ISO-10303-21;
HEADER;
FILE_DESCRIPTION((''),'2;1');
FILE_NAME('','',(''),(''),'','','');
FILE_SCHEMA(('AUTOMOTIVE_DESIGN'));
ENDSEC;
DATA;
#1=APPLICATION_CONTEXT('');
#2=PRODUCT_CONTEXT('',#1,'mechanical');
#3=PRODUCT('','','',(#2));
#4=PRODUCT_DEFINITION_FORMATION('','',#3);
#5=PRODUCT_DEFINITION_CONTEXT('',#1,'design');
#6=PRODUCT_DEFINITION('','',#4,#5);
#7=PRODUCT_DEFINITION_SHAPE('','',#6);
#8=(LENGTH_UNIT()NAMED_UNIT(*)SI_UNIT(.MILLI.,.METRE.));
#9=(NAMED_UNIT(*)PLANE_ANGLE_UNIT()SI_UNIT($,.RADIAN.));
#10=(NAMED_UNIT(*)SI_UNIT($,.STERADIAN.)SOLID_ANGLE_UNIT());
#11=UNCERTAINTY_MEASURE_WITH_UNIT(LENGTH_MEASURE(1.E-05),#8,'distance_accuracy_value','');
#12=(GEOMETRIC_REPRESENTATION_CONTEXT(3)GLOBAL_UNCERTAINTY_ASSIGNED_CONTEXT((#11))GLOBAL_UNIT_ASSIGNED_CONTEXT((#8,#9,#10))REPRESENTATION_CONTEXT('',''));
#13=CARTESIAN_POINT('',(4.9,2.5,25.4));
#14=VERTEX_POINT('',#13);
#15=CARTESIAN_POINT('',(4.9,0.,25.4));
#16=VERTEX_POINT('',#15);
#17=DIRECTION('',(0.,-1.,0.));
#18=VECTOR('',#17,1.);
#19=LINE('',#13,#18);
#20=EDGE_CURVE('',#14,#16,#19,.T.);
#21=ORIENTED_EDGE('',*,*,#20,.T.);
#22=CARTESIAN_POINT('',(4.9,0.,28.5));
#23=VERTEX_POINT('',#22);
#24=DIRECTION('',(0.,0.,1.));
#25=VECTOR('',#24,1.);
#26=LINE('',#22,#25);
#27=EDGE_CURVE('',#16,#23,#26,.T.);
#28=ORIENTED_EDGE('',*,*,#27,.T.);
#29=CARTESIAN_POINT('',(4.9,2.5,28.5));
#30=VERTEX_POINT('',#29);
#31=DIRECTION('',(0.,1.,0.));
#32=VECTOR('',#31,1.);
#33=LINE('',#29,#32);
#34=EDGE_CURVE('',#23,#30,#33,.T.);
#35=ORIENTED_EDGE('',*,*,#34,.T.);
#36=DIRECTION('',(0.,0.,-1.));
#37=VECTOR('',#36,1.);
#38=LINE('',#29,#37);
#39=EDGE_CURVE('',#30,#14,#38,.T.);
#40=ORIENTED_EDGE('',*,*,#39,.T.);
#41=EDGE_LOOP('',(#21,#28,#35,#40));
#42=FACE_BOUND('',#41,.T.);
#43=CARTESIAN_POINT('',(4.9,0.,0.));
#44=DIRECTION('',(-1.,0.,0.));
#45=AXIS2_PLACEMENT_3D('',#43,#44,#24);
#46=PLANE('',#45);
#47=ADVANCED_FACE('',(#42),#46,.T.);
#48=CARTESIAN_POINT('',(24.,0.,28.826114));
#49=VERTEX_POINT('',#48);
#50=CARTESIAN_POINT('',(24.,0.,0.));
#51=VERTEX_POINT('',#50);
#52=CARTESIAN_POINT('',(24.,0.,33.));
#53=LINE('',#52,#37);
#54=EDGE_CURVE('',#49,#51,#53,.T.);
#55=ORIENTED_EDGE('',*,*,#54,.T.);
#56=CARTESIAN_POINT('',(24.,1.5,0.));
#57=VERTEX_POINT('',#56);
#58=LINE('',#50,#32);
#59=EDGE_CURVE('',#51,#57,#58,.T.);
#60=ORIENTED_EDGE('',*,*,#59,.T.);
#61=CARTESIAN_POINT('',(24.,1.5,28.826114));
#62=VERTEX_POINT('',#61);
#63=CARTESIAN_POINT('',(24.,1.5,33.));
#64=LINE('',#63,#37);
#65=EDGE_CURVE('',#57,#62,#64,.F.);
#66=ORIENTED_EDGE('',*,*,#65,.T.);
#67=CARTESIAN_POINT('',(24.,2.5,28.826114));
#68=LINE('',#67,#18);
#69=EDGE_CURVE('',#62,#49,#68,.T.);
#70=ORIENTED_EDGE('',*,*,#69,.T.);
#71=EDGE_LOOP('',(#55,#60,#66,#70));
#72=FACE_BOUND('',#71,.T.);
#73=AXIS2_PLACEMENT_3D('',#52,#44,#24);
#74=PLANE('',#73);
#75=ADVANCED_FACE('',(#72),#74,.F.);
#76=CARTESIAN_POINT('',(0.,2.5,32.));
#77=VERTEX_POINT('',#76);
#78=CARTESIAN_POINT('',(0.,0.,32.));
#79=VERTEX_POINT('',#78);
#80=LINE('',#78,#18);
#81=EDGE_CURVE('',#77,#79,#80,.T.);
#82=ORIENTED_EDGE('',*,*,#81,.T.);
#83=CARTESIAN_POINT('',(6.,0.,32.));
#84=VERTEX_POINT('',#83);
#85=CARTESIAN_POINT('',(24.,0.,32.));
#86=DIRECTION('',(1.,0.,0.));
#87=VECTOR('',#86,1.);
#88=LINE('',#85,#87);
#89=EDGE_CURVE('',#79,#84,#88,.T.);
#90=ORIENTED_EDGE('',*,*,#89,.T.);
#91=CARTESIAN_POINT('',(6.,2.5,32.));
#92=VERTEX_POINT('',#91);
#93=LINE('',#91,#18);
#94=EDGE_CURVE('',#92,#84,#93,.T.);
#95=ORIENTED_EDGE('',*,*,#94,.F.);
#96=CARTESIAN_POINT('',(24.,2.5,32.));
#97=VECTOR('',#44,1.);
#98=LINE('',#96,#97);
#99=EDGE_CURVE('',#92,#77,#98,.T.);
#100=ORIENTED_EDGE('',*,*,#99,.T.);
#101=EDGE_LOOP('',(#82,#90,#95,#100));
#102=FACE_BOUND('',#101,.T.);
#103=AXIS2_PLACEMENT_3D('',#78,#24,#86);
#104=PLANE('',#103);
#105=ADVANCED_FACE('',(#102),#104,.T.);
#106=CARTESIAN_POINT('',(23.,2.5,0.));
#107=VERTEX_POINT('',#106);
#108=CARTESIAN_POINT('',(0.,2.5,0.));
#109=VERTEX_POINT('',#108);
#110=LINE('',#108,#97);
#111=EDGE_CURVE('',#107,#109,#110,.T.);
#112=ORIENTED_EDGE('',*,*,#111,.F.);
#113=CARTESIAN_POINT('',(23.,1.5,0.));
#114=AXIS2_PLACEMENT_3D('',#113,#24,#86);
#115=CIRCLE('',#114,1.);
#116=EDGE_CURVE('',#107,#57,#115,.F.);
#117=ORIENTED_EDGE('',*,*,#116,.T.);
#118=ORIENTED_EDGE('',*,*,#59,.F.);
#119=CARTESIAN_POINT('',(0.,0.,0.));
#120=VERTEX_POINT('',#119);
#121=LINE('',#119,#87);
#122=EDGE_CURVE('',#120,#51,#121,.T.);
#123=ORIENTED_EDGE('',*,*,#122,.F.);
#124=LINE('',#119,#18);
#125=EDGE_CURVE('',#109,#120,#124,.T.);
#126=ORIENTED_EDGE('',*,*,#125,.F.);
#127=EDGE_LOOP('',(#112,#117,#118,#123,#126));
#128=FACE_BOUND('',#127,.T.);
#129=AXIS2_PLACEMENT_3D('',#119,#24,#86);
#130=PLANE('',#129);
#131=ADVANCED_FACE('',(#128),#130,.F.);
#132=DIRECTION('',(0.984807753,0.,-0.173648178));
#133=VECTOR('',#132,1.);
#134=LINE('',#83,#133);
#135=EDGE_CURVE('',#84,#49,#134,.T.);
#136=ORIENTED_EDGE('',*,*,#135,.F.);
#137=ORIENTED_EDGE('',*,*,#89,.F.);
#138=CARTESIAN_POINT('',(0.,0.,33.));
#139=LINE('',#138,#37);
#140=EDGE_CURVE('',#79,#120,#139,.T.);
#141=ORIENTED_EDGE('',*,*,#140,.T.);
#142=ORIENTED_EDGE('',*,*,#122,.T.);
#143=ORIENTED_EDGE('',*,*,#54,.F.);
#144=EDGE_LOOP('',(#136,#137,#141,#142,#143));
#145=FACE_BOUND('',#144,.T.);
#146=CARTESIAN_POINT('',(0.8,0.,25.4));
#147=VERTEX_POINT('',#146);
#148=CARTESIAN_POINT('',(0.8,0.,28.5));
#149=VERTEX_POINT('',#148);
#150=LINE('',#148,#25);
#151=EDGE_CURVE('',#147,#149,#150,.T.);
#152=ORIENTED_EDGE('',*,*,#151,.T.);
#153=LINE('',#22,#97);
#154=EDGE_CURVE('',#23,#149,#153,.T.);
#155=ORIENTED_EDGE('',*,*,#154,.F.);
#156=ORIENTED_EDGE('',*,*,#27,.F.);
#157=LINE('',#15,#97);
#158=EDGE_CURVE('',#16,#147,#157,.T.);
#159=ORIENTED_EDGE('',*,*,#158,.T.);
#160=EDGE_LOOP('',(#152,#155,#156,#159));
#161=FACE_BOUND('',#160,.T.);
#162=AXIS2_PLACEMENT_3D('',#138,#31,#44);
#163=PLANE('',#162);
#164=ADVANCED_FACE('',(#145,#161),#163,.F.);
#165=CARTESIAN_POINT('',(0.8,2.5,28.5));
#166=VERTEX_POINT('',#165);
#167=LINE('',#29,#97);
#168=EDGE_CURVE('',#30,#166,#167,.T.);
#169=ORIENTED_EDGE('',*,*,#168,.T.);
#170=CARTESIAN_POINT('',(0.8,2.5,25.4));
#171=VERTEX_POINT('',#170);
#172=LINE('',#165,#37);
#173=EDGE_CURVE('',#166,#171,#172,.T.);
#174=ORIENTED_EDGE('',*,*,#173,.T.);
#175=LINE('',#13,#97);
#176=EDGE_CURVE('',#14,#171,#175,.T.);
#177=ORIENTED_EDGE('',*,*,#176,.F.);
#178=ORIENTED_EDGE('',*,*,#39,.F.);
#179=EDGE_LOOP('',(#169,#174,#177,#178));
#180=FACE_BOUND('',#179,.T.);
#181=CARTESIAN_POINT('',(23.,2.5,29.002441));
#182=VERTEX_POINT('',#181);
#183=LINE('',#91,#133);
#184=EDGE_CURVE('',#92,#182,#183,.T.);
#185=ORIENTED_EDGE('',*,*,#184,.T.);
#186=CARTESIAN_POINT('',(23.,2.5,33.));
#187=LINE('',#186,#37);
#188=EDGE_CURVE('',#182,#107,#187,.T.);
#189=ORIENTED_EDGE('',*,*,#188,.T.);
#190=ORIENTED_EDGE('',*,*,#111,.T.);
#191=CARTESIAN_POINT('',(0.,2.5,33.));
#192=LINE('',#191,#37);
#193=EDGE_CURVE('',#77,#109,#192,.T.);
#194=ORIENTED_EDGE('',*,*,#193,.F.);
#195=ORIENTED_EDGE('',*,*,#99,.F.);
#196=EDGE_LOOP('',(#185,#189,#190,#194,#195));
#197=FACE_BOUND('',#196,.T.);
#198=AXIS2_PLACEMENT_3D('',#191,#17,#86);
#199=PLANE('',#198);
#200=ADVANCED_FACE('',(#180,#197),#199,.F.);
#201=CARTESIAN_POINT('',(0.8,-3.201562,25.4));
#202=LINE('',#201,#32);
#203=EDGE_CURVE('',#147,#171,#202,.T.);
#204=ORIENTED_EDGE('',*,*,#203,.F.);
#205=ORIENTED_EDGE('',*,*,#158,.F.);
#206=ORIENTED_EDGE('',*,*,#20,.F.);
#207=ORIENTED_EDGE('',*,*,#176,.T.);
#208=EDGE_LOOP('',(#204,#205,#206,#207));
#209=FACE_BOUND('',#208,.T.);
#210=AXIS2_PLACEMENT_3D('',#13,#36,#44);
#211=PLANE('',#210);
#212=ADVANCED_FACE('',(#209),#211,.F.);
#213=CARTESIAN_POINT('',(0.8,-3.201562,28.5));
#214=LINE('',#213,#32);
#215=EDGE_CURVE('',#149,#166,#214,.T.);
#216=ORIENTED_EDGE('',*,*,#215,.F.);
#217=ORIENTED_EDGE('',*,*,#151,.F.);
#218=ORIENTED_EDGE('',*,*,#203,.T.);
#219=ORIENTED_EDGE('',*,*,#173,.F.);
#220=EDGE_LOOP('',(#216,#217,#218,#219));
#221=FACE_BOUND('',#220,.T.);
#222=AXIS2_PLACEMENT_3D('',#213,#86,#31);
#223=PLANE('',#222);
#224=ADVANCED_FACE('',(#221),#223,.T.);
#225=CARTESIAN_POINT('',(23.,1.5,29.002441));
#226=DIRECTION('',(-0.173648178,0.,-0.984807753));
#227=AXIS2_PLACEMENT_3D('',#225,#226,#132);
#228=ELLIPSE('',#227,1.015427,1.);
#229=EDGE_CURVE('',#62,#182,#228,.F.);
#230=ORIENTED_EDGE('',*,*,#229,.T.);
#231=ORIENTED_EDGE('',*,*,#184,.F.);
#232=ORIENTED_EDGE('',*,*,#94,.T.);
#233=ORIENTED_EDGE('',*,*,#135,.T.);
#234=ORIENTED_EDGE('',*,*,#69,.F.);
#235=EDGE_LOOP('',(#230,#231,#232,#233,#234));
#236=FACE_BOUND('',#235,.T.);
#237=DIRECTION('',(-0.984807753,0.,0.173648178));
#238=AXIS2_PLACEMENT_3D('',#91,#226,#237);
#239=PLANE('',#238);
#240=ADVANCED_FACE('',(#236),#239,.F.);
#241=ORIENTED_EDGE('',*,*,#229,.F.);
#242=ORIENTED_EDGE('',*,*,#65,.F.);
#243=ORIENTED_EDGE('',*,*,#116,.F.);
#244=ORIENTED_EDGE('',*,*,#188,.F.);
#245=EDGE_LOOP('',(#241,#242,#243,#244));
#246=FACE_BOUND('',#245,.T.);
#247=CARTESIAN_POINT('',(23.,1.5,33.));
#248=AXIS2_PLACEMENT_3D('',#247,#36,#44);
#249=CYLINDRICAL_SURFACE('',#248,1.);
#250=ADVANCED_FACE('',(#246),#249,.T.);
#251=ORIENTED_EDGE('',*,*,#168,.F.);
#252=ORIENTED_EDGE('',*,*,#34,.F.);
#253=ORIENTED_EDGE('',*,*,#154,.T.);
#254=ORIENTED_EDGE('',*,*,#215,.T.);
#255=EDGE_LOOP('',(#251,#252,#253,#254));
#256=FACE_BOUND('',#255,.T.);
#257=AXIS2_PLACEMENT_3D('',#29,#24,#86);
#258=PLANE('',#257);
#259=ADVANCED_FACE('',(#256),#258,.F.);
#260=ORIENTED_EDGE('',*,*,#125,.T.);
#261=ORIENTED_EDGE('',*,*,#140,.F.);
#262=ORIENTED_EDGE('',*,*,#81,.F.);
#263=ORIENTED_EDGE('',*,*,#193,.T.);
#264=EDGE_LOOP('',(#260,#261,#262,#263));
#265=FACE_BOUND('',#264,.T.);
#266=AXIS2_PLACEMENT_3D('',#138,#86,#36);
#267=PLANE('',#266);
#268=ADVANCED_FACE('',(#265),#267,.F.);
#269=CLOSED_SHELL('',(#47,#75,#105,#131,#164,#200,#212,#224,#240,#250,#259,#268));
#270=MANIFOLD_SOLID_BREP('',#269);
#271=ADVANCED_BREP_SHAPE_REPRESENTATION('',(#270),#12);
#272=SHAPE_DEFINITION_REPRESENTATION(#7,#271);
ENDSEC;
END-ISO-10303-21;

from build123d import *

# Parameters (mm, degrees)
SKETCH_3_W          = 2.5
SKETCH_3_H          = 24
EXTRUDE_1_DEPTH     = 33
FILLET_1_R          = 1
CUT_EXTRUDE_1_DEPTH = 41.880924647
SKETCH_5_W          = 2.5
SKETCH_5_H          = 3.1
CUT_EXTRUDE_2_DEPTH = 4.9
SKETCH_6_W          = 24
SKETCH_6_H          = 2.5
CUT_EXTRUDE_3_DEPTH = 1
CUT_EXTRUDE_4_DEPTH = 41.078048855
SKETCH_8_W          = 0.8
SKETCH_8_H          = 3.1
EXTRUDE_2_DEPTH     = 2.5


with BuildPart() as part:
    # 草图3 → 凸台-拉伸1 (new body)
    with BuildSketch(Plane(origin=(0, 0, 0), x_dir=(0, 1, 0), z_dir=(0, 0, 1))):
        with Locations((1.25, -12)):
            Rectangle(SKETCH_3_W, SKETCH_3_H)
    extrude(amount=EXTRUDE_1_DEPTH)

    # 圆角1
    fillet_1_edges = [part.edges().sort_by_distance(p)[0] for p in [
        (24, 2.5, 16.5),
    ]]
    fillet(fillet_1_edges, radius=FILLET_1_R)

    # 草图4 → 切除-拉伸1 (cut, through all)
    with BuildSketch(Plane.XZ):
        Polygon((3, 33), (24, 31.162738066), (24, 33), align=None)
    extrude(amount=-CUT_EXTRUDE_1_DEPTH, mode=Mode.SUBTRACT)

    # 草图5 → 切除-拉伸2 (cut)
    with BuildSketch(Plane(origin=(0, 0, 0), x_dir=(0, -1, 0), z_dir=(-1, 0, 0))):
        with Locations((-1.25, 26.95)):
            Rectangle(SKETCH_5_W, SKETCH_5_H)
    extrude(amount=-CUT_EXTRUDE_2_DEPTH, mode=Mode.SUBTRACT)

    # 草图6 → 切除-拉伸3 (cut)
    with BuildSketch(Plane.XY.offset(33)):
        with Locations((12, 1.25)):
            Rectangle(SKETCH_6_W, SKETCH_6_H)
    extrude(amount=-CUT_EXTRUDE_3_DEPTH, mode=Mode.SUBTRACT)

    # 草图7 → 切除-拉伸4 (cut, through all)
    with BuildSketch(Plane.XZ):
        Polygon((24, 31.162738066), (24, 28.826114347), (6, 32), (14.430052303, 32), align=None)
    extrude(amount=-CUT_EXTRUDE_4_DEPTH, mode=Mode.SUBTRACT)

    # 草图8 → 凸台-拉伸2 (add)
    with BuildSketch(Plane(origin=(0, 2.5, 0), x_dir=(-1, 0, 0), z_dir=(0, 1, 0))):
        with Locations((-0.4, 26.95)):
            Rectangle(SKETCH_8_W, SKETCH_8_H)
    extrude(amount=-EXTRUDE_2_DEPTH)


solid = part.part
